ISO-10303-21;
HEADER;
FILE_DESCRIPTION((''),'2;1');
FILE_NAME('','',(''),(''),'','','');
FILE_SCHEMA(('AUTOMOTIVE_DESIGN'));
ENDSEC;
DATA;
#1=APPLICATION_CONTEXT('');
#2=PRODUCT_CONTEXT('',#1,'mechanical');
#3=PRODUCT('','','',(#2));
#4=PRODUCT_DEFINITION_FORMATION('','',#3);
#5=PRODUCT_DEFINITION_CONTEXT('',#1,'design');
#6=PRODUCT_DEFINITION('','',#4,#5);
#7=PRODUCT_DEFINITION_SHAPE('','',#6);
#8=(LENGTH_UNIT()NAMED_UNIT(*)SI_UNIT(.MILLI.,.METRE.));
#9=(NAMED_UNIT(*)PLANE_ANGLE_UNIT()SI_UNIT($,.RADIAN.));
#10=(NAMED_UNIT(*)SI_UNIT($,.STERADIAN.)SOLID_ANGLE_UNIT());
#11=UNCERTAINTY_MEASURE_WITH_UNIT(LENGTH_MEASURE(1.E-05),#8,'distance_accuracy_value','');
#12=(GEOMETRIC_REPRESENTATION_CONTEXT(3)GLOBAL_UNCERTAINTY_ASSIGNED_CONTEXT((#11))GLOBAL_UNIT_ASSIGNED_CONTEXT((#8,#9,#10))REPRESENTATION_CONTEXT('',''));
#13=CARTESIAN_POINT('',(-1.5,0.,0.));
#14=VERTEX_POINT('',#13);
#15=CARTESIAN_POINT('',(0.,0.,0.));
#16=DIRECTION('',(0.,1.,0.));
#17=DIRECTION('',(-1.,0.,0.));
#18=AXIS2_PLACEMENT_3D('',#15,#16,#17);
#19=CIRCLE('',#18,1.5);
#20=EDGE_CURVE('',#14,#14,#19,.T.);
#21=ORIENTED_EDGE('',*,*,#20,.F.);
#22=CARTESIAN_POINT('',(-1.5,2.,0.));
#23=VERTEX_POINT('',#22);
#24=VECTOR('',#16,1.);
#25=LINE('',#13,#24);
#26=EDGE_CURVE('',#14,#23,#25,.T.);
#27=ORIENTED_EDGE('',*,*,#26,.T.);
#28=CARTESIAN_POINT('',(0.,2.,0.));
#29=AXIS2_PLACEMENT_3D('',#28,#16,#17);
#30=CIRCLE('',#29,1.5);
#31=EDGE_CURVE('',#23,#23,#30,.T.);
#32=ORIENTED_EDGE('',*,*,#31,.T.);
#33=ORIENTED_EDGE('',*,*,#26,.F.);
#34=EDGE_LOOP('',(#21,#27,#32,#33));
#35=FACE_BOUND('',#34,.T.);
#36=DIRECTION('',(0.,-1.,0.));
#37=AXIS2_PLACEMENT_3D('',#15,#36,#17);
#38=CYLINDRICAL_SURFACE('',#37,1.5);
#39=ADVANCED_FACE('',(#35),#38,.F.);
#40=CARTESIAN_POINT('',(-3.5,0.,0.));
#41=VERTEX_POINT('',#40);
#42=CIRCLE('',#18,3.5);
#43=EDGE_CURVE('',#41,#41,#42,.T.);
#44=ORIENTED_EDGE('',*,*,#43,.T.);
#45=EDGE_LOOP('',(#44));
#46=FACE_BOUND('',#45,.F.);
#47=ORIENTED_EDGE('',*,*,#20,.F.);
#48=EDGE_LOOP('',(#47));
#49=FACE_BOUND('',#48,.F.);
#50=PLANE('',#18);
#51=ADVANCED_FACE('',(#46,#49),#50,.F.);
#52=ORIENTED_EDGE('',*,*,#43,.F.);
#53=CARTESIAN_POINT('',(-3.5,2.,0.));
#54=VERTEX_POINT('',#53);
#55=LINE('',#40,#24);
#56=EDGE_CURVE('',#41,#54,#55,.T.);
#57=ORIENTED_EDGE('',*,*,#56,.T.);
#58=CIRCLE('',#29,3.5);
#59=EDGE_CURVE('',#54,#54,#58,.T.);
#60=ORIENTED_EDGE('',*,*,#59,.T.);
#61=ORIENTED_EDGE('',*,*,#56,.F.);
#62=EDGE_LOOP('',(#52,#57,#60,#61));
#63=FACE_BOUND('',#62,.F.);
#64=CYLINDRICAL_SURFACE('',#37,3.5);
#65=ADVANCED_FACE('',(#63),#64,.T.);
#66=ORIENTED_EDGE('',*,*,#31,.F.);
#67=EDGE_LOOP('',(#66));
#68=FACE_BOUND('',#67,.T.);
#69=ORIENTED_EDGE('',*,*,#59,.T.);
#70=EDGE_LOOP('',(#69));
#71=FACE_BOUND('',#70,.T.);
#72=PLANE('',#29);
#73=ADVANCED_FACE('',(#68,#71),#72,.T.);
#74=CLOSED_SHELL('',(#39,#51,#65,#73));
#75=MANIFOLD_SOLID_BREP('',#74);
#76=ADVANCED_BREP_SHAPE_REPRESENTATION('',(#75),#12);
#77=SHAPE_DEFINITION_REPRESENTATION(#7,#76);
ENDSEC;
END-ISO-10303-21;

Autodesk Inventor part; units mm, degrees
ref_plane "YZ Plane" through (0, 0, 0) normal (1, 0, 0) x (0, 1, 0)
ref_plane "XZ Plane" through (0, 0, 0) normal (0, 1, 0) x (-1, 0, 0)
ref_plane "XY Plane" through (0, 0, 0) normal (0, 0, 1) x (1, 0, 0)
sketch "Sketch1" plane through (0, 0, 0) normal (0, 1, 0) x (-1, 0, 0)
  circle A0 centre (0, 0) radius 1.5
  circle A1 centre (0, 0) radius 3.5
  dimension "d0" = 3
  dimension "d1" = 7
extrude "Extrusion1" add sketch "Sketch1" along normal blind 2
properties part number "Locker Limit_3DPrint"
